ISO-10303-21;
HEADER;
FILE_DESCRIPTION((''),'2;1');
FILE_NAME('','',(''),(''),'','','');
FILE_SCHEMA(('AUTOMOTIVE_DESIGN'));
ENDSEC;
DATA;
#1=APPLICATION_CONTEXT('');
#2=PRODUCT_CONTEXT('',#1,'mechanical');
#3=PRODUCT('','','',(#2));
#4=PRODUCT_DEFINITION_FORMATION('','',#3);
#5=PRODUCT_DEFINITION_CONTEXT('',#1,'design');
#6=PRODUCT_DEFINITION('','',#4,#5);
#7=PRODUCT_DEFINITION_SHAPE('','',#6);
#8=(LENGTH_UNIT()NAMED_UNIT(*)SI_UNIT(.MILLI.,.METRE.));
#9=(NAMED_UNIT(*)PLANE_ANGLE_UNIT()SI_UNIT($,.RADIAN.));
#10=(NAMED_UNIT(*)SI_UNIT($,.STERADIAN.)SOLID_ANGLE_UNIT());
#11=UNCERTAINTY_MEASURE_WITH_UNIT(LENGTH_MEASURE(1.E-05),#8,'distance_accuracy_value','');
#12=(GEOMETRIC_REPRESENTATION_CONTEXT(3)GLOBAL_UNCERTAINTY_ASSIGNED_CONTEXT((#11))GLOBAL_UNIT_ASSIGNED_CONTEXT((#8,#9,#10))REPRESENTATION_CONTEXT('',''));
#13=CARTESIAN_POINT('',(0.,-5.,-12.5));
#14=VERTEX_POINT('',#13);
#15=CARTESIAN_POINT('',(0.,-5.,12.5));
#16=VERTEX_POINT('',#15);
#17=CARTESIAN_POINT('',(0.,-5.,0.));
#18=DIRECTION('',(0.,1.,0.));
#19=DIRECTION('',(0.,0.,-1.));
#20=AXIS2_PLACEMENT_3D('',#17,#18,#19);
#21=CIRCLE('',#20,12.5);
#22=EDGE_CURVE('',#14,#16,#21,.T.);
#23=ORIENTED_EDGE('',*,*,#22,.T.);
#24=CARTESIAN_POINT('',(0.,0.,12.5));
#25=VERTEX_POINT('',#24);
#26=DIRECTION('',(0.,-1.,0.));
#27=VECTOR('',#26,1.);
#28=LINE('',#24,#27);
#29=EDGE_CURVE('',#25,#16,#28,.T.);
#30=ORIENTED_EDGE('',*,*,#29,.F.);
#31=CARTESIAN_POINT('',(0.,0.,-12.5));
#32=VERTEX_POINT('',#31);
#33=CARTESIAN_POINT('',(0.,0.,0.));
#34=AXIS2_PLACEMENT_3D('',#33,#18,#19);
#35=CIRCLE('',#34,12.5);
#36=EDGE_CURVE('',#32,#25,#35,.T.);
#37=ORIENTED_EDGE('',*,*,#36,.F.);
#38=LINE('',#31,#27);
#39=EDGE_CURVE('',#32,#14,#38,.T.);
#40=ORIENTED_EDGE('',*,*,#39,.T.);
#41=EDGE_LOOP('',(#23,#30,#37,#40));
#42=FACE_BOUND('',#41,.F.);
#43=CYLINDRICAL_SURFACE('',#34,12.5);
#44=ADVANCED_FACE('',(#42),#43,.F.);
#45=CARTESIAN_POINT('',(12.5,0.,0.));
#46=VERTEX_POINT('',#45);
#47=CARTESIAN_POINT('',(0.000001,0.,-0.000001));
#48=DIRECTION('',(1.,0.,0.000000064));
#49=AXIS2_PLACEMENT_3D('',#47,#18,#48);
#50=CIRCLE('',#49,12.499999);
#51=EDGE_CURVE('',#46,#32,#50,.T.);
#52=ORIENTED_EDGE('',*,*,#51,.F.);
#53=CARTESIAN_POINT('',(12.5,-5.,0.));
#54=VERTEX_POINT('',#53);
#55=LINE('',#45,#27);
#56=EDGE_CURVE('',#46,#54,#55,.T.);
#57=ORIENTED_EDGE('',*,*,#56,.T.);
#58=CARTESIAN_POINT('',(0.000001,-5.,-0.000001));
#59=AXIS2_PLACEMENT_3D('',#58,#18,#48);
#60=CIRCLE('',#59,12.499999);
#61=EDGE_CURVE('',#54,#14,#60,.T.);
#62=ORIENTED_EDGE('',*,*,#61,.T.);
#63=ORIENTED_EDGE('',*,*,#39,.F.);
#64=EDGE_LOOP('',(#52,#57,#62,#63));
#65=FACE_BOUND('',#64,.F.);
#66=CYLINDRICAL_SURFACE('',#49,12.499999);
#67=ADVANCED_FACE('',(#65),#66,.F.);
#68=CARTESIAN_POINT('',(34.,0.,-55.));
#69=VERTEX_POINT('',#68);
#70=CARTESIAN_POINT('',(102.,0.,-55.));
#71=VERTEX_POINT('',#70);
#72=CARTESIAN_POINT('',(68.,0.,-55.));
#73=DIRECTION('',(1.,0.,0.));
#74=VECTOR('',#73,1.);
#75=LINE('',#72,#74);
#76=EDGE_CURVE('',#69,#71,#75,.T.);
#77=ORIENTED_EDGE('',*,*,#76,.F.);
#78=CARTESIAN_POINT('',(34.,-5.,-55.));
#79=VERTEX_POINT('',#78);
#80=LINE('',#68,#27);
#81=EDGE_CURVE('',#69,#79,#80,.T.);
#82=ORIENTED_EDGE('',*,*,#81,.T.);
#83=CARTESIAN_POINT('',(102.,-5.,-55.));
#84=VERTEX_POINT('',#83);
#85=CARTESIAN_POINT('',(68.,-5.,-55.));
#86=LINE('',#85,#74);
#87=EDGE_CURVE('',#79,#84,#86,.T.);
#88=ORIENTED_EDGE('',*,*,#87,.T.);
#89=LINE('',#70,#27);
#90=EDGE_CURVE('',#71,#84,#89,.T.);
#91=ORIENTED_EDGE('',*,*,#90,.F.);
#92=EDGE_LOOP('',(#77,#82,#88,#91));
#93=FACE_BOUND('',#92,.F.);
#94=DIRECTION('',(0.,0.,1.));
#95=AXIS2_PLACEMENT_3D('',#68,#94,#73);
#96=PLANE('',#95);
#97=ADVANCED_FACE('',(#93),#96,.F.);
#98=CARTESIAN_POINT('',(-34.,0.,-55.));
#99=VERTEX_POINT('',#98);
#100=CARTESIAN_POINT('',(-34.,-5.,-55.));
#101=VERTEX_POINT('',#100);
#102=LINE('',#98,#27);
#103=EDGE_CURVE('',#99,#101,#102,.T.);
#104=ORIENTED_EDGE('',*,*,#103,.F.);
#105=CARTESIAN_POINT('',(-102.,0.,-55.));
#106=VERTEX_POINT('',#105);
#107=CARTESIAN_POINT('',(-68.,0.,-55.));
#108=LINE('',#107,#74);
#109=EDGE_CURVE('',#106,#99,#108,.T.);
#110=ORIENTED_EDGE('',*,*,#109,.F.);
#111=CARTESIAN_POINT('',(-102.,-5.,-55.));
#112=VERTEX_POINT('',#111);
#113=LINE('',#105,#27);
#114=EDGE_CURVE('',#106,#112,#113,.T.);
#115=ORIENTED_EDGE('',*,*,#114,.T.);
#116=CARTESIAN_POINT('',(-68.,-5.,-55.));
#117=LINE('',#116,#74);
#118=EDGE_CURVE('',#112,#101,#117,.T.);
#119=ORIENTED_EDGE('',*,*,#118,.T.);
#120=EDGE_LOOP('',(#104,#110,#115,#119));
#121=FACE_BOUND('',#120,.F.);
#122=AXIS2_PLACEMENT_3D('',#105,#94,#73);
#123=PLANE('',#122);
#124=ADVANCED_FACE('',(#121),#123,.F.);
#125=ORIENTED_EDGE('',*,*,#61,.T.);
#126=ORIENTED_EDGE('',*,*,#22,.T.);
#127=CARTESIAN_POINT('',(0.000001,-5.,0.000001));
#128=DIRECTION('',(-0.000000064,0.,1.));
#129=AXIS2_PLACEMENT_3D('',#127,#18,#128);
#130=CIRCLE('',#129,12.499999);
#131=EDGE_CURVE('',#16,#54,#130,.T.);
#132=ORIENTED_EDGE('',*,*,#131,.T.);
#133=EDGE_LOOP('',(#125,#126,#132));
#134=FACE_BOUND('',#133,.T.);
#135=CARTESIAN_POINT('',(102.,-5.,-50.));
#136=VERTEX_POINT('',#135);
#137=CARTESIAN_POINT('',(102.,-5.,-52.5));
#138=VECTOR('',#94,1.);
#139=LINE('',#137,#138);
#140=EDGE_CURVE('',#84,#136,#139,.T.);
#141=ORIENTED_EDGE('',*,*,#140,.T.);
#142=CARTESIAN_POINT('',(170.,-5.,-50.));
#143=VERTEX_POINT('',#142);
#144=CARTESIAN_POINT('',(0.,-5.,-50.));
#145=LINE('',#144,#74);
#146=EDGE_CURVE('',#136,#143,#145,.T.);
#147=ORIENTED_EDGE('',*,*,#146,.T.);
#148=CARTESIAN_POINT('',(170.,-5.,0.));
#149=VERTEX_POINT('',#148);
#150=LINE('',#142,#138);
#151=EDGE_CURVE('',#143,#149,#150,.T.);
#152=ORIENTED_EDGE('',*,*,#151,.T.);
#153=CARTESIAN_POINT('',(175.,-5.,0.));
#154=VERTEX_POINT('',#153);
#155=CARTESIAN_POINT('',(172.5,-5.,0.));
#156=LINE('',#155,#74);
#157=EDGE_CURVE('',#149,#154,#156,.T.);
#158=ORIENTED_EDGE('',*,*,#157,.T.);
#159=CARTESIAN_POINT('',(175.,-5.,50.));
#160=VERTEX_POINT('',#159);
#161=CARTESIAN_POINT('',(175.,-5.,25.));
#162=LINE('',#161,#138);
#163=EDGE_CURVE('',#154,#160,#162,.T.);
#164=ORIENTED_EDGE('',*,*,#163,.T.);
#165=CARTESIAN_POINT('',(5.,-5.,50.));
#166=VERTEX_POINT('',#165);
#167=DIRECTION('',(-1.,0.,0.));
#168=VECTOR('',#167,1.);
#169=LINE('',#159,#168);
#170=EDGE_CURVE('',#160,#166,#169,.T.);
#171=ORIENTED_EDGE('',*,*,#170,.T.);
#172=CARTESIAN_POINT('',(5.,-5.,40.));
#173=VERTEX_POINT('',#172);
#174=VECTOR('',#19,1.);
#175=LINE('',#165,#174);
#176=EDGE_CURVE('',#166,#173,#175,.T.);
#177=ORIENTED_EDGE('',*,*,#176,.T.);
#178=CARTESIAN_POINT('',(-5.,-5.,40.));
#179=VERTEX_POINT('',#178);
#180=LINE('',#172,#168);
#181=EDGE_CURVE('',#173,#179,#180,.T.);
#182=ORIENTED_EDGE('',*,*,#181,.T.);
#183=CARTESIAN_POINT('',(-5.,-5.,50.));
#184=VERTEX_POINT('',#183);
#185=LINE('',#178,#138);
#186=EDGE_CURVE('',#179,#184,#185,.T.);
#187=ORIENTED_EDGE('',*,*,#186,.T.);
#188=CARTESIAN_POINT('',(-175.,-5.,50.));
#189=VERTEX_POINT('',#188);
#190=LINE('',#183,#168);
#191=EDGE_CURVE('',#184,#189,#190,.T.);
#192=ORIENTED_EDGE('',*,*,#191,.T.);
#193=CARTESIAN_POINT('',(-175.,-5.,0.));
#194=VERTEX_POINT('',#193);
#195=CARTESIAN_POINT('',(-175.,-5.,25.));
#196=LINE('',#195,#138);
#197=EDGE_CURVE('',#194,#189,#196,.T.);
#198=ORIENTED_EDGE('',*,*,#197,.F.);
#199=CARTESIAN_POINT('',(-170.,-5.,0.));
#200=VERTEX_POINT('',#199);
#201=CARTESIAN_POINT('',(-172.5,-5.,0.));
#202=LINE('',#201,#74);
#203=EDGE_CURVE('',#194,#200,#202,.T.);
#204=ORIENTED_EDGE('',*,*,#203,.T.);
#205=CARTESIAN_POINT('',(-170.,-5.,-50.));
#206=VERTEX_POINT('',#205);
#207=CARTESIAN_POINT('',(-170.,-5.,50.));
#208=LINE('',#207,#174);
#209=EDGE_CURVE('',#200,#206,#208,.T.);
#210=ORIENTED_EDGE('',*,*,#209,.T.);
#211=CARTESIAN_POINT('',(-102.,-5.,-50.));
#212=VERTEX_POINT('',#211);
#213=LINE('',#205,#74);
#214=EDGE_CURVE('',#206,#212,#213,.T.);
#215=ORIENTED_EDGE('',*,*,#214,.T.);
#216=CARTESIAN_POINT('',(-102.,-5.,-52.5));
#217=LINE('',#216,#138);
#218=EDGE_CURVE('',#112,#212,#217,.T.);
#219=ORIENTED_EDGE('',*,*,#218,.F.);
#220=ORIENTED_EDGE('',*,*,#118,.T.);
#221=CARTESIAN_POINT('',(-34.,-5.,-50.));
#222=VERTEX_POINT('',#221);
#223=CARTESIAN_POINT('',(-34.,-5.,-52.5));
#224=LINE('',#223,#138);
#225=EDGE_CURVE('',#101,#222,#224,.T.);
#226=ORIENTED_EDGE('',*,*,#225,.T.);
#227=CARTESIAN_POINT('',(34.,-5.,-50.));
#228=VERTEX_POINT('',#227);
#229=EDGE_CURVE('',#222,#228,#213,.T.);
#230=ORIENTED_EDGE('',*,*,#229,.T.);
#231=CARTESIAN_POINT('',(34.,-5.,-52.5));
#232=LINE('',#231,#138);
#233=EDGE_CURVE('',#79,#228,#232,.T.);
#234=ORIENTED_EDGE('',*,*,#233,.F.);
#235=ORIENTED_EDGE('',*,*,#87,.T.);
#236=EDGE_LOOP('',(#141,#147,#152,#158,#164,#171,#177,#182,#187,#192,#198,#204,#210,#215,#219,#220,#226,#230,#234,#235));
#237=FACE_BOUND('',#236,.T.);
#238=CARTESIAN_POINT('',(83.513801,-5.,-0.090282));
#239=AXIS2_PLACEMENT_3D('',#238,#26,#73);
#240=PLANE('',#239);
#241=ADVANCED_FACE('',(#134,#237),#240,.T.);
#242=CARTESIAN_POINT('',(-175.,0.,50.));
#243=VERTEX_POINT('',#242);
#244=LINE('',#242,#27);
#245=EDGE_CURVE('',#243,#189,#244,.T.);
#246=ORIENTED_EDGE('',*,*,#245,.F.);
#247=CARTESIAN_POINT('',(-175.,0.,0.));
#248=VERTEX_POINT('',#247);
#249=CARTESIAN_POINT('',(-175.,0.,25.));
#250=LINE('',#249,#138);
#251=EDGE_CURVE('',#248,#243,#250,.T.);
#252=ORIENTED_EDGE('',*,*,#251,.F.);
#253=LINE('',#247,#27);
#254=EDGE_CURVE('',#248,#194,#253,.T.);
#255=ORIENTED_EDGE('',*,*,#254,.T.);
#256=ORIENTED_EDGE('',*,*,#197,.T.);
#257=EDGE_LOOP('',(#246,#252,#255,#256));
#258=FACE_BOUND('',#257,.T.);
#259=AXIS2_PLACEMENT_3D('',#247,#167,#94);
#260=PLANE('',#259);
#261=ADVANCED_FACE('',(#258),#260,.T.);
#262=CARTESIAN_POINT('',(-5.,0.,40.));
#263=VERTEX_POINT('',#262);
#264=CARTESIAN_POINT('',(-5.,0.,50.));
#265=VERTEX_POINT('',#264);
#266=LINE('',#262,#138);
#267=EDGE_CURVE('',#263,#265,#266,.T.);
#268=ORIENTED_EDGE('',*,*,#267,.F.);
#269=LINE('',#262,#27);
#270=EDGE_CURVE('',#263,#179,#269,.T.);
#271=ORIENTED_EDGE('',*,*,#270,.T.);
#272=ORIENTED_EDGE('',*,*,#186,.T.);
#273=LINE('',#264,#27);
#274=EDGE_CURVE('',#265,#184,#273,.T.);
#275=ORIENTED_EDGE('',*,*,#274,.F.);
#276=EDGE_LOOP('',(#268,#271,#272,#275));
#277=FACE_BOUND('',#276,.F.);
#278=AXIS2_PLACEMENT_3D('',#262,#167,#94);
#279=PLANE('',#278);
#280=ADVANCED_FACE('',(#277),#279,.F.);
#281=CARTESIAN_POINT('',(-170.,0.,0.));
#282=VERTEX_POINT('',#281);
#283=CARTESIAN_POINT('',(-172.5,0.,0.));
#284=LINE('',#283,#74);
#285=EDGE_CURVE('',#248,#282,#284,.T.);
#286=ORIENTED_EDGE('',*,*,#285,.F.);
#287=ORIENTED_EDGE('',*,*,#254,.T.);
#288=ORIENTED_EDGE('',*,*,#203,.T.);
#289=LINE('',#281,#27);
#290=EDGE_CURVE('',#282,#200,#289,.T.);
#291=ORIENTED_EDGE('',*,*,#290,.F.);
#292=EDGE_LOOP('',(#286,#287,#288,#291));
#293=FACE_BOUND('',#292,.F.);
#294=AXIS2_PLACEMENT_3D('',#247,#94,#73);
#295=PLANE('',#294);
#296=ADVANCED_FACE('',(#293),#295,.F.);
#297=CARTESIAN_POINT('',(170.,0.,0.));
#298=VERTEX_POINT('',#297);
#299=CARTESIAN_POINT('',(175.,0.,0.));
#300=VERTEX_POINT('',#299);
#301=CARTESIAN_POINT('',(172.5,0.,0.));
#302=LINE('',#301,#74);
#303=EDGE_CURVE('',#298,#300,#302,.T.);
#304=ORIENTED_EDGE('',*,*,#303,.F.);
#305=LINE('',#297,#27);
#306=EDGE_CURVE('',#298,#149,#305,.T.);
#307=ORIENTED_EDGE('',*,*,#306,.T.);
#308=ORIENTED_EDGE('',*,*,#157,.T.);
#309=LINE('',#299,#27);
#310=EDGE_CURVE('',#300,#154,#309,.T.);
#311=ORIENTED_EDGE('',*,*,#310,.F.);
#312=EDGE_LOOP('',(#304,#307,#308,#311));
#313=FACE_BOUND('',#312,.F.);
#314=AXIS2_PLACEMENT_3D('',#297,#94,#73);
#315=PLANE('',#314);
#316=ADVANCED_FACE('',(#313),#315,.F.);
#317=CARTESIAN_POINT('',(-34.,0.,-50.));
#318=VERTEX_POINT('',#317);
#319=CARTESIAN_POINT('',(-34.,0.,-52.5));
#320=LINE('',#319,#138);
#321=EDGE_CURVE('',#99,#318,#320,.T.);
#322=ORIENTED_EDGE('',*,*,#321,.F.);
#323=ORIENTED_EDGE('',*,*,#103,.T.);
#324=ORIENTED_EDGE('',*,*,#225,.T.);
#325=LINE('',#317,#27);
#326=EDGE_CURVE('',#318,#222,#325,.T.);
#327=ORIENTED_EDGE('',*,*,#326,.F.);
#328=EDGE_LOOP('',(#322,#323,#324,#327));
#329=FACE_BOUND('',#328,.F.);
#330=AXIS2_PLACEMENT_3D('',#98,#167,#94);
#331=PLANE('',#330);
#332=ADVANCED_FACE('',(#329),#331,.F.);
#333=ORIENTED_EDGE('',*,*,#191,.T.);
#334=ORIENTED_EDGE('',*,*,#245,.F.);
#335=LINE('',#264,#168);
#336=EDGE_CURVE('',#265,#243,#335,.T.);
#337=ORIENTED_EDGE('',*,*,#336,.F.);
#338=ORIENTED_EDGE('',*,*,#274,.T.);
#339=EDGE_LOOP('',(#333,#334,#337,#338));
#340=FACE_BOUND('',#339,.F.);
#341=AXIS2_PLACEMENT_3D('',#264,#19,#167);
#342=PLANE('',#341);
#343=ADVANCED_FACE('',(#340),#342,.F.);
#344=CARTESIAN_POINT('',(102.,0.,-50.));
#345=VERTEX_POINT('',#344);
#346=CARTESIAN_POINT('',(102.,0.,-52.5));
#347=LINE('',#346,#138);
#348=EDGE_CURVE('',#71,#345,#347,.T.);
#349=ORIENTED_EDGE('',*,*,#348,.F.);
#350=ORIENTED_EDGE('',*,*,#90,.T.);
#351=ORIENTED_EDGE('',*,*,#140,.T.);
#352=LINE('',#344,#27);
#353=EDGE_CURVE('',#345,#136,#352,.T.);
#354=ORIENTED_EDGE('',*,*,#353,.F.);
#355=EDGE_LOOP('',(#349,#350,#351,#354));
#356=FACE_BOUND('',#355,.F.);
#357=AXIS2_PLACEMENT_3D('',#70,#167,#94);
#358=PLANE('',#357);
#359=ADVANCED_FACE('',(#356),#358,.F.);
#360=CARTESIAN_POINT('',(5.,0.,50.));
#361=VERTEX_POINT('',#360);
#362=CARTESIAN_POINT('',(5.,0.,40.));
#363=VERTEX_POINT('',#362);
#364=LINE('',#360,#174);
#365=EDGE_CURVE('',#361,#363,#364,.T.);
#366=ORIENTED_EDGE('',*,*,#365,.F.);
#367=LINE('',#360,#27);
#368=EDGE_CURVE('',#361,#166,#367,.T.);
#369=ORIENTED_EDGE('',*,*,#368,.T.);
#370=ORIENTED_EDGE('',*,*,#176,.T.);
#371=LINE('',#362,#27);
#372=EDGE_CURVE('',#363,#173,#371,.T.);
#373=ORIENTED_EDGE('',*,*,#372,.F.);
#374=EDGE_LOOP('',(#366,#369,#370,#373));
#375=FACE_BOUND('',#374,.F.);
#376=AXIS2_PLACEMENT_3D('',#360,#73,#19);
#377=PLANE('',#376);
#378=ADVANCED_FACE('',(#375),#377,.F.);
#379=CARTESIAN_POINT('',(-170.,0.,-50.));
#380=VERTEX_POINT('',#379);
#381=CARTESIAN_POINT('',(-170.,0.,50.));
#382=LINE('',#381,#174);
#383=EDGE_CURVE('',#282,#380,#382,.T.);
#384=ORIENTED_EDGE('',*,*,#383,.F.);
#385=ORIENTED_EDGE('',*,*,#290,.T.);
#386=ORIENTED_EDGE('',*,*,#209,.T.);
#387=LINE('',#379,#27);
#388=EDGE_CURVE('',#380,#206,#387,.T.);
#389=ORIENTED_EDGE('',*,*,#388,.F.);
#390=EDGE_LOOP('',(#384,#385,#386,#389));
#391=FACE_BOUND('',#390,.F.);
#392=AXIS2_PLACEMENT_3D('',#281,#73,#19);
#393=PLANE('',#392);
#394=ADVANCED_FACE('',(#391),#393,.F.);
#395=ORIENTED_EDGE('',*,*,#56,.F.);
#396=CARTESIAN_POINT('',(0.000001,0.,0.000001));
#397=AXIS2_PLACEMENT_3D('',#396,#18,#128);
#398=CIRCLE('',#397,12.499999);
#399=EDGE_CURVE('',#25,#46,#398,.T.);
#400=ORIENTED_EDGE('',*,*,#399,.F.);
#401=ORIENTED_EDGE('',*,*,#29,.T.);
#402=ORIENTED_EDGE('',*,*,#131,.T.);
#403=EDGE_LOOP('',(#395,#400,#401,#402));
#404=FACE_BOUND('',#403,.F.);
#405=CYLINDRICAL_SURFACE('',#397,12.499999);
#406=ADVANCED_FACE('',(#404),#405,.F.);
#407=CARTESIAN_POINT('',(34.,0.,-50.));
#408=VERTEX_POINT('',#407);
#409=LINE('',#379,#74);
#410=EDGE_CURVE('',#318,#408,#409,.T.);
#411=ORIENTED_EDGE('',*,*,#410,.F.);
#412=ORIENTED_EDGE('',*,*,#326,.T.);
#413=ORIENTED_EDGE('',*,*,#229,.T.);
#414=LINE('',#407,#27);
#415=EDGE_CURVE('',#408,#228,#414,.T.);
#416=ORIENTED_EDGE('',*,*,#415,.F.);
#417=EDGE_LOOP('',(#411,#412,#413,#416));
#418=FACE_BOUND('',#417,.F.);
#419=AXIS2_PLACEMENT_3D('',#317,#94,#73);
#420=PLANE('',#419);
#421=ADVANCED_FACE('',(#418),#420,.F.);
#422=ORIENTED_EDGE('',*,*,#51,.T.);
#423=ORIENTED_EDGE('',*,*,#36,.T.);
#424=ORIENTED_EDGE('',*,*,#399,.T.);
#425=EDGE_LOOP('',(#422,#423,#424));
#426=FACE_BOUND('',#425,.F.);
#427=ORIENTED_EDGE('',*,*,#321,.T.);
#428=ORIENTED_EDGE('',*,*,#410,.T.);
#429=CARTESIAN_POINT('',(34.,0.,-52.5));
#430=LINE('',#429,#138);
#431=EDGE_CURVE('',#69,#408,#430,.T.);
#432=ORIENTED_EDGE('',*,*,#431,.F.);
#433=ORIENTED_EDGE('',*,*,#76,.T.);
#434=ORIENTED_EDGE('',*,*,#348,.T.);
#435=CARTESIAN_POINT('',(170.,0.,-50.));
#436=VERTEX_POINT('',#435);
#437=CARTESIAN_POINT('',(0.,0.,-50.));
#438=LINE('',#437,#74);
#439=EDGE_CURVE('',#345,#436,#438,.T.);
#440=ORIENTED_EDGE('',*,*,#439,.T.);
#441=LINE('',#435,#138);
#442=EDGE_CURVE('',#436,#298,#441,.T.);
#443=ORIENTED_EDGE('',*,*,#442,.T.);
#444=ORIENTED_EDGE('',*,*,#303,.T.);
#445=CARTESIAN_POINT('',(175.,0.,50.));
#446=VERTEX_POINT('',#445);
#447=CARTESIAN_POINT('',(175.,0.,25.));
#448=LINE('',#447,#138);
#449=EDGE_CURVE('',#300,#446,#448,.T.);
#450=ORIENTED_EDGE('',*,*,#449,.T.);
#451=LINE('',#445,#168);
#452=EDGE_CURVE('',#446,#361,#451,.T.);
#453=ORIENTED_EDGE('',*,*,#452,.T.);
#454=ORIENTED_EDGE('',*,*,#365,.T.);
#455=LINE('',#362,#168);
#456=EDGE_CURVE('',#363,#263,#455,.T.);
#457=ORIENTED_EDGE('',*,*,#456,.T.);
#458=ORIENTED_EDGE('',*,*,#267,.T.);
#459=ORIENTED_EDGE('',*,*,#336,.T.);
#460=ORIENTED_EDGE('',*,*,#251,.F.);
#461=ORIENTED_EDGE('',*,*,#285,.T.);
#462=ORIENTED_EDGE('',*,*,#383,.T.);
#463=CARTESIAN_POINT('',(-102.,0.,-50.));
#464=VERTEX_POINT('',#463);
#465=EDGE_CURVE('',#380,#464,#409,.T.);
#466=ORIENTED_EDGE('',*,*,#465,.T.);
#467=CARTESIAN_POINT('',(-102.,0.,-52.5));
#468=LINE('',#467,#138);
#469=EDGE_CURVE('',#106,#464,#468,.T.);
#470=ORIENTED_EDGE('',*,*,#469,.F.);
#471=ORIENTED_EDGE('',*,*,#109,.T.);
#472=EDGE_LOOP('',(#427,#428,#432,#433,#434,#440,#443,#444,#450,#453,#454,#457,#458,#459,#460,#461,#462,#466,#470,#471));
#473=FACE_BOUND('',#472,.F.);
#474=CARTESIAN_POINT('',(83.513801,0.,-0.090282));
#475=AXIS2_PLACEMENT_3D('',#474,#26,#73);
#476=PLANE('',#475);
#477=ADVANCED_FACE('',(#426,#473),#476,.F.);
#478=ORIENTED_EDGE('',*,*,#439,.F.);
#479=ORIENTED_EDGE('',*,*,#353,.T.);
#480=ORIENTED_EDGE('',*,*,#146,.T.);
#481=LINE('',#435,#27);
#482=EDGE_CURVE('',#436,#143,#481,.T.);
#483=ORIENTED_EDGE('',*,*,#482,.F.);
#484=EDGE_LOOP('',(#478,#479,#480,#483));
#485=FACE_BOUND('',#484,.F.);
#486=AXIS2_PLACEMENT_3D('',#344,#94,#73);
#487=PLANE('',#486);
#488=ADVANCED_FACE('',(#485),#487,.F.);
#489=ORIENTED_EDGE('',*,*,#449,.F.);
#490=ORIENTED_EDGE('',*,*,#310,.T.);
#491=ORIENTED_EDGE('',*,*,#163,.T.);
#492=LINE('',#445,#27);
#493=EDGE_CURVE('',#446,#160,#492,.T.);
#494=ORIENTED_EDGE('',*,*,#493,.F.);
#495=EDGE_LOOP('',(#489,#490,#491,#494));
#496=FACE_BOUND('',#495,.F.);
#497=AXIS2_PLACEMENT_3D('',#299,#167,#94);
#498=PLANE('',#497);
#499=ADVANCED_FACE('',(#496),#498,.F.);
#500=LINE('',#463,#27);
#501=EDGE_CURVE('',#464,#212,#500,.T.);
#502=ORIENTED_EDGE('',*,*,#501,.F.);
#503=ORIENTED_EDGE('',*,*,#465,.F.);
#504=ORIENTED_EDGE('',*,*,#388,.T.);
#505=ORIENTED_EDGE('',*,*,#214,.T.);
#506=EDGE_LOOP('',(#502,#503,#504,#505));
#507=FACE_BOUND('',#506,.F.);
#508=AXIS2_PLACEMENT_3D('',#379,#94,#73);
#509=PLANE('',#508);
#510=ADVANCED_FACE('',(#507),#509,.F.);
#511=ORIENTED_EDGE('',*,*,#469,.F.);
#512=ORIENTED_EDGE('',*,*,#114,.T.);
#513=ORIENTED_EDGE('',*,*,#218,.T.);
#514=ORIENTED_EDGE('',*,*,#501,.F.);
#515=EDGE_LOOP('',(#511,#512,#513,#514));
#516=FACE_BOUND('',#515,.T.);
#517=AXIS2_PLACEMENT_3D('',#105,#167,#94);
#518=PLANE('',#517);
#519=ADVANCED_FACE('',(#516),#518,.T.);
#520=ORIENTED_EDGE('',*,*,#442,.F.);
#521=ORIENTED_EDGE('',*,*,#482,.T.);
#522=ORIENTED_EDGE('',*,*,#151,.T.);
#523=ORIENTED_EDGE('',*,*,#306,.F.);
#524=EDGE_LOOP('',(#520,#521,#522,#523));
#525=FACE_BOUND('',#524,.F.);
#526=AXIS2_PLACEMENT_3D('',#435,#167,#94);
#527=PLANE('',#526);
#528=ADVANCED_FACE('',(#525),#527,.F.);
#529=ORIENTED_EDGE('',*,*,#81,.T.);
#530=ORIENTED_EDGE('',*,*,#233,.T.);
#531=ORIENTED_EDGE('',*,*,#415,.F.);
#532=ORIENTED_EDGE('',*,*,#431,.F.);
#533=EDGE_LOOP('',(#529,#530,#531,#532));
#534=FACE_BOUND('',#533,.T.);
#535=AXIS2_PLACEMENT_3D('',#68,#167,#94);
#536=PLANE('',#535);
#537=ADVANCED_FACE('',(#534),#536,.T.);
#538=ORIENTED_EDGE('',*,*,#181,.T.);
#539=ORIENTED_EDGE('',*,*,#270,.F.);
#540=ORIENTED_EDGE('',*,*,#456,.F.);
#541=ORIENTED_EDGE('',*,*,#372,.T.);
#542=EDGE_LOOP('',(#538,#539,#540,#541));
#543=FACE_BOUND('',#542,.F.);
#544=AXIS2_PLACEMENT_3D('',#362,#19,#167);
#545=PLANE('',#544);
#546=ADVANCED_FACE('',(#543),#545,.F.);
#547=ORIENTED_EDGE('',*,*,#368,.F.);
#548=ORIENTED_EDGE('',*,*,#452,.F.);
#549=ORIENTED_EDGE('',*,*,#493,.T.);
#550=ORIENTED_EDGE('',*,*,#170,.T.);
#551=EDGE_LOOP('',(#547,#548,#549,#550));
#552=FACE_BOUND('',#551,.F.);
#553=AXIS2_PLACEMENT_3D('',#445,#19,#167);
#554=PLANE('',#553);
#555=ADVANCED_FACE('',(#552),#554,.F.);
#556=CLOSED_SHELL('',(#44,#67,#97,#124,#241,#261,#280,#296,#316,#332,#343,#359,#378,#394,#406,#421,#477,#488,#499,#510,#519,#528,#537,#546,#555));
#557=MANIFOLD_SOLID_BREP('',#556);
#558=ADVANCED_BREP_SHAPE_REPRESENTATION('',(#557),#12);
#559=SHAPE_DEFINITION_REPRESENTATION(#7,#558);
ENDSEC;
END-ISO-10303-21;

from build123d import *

# Parameters (mm, degrees)
F0_W     = 68
F0_H     = 5
F0_W_2   = 5
F0_H_2   = 50
F1_DEPTH = 5


with BuildPart() as f1:
    # F0 (on Front) → F1 (new body)
    with BuildSketch(Plane.XZ):
        with BuildLine():
            Line((102, -50), (170, -50))
            Line((170, -50), (170, 0))
            Line((170, 0), (170, 50))
            Line((170, 50), (5, 50))
            Line((5, 50), (5, 40))
            Line((5, 40), (0, 40))
            Line((0, 40), (0, 12.5))
            ThreePointArc((0, 12.5), (8.838835, 8.838835), (12.5, 0))
            ThreePointArc((12.5, 0), (8.838835, -8.838835), (0, -12.5))
            Line((0, -12.5), (0, -50))
            Line((0, -50), (34, -50))
            Line((34, -50), (102, -50))
        make_face()
        with Locations((68, -52.5)):
            Rectangle(F0_W, F0_H)
        with Locations((172.5, 25)):
            Rectangle(F0_W_2, F0_H_2)
        with BuildLine():
            Line((-34, -50), (0, -50))
            Line((0, -50), (0, -12.5))
            ThreePointArc((0, -12.5), (-12.5, 0), (0, 12.5))
            Line((0, 12.5), (0, 40))
            Line((0, 40), (-5, 40))
            Line((-5, 40), (-5, 50))
            Line((-5, 50), (-170, 50))
            Line((-170, 50), (-170, 0))
            Line((-170, 0), (-170, -50))
            Line((-170, -50), (-102, -50))
            Line((-102, -50), (-34, -50))
        make_face()
        with Locations((-68, -52.5)):
            Rectangle(F0_W, F0_H)
        with Locations((-172.5, 25)):
            Rectangle(F0_W_2, F0_H_2)
    extrude(amount=F1_DEPTH)


solid = f1.part
